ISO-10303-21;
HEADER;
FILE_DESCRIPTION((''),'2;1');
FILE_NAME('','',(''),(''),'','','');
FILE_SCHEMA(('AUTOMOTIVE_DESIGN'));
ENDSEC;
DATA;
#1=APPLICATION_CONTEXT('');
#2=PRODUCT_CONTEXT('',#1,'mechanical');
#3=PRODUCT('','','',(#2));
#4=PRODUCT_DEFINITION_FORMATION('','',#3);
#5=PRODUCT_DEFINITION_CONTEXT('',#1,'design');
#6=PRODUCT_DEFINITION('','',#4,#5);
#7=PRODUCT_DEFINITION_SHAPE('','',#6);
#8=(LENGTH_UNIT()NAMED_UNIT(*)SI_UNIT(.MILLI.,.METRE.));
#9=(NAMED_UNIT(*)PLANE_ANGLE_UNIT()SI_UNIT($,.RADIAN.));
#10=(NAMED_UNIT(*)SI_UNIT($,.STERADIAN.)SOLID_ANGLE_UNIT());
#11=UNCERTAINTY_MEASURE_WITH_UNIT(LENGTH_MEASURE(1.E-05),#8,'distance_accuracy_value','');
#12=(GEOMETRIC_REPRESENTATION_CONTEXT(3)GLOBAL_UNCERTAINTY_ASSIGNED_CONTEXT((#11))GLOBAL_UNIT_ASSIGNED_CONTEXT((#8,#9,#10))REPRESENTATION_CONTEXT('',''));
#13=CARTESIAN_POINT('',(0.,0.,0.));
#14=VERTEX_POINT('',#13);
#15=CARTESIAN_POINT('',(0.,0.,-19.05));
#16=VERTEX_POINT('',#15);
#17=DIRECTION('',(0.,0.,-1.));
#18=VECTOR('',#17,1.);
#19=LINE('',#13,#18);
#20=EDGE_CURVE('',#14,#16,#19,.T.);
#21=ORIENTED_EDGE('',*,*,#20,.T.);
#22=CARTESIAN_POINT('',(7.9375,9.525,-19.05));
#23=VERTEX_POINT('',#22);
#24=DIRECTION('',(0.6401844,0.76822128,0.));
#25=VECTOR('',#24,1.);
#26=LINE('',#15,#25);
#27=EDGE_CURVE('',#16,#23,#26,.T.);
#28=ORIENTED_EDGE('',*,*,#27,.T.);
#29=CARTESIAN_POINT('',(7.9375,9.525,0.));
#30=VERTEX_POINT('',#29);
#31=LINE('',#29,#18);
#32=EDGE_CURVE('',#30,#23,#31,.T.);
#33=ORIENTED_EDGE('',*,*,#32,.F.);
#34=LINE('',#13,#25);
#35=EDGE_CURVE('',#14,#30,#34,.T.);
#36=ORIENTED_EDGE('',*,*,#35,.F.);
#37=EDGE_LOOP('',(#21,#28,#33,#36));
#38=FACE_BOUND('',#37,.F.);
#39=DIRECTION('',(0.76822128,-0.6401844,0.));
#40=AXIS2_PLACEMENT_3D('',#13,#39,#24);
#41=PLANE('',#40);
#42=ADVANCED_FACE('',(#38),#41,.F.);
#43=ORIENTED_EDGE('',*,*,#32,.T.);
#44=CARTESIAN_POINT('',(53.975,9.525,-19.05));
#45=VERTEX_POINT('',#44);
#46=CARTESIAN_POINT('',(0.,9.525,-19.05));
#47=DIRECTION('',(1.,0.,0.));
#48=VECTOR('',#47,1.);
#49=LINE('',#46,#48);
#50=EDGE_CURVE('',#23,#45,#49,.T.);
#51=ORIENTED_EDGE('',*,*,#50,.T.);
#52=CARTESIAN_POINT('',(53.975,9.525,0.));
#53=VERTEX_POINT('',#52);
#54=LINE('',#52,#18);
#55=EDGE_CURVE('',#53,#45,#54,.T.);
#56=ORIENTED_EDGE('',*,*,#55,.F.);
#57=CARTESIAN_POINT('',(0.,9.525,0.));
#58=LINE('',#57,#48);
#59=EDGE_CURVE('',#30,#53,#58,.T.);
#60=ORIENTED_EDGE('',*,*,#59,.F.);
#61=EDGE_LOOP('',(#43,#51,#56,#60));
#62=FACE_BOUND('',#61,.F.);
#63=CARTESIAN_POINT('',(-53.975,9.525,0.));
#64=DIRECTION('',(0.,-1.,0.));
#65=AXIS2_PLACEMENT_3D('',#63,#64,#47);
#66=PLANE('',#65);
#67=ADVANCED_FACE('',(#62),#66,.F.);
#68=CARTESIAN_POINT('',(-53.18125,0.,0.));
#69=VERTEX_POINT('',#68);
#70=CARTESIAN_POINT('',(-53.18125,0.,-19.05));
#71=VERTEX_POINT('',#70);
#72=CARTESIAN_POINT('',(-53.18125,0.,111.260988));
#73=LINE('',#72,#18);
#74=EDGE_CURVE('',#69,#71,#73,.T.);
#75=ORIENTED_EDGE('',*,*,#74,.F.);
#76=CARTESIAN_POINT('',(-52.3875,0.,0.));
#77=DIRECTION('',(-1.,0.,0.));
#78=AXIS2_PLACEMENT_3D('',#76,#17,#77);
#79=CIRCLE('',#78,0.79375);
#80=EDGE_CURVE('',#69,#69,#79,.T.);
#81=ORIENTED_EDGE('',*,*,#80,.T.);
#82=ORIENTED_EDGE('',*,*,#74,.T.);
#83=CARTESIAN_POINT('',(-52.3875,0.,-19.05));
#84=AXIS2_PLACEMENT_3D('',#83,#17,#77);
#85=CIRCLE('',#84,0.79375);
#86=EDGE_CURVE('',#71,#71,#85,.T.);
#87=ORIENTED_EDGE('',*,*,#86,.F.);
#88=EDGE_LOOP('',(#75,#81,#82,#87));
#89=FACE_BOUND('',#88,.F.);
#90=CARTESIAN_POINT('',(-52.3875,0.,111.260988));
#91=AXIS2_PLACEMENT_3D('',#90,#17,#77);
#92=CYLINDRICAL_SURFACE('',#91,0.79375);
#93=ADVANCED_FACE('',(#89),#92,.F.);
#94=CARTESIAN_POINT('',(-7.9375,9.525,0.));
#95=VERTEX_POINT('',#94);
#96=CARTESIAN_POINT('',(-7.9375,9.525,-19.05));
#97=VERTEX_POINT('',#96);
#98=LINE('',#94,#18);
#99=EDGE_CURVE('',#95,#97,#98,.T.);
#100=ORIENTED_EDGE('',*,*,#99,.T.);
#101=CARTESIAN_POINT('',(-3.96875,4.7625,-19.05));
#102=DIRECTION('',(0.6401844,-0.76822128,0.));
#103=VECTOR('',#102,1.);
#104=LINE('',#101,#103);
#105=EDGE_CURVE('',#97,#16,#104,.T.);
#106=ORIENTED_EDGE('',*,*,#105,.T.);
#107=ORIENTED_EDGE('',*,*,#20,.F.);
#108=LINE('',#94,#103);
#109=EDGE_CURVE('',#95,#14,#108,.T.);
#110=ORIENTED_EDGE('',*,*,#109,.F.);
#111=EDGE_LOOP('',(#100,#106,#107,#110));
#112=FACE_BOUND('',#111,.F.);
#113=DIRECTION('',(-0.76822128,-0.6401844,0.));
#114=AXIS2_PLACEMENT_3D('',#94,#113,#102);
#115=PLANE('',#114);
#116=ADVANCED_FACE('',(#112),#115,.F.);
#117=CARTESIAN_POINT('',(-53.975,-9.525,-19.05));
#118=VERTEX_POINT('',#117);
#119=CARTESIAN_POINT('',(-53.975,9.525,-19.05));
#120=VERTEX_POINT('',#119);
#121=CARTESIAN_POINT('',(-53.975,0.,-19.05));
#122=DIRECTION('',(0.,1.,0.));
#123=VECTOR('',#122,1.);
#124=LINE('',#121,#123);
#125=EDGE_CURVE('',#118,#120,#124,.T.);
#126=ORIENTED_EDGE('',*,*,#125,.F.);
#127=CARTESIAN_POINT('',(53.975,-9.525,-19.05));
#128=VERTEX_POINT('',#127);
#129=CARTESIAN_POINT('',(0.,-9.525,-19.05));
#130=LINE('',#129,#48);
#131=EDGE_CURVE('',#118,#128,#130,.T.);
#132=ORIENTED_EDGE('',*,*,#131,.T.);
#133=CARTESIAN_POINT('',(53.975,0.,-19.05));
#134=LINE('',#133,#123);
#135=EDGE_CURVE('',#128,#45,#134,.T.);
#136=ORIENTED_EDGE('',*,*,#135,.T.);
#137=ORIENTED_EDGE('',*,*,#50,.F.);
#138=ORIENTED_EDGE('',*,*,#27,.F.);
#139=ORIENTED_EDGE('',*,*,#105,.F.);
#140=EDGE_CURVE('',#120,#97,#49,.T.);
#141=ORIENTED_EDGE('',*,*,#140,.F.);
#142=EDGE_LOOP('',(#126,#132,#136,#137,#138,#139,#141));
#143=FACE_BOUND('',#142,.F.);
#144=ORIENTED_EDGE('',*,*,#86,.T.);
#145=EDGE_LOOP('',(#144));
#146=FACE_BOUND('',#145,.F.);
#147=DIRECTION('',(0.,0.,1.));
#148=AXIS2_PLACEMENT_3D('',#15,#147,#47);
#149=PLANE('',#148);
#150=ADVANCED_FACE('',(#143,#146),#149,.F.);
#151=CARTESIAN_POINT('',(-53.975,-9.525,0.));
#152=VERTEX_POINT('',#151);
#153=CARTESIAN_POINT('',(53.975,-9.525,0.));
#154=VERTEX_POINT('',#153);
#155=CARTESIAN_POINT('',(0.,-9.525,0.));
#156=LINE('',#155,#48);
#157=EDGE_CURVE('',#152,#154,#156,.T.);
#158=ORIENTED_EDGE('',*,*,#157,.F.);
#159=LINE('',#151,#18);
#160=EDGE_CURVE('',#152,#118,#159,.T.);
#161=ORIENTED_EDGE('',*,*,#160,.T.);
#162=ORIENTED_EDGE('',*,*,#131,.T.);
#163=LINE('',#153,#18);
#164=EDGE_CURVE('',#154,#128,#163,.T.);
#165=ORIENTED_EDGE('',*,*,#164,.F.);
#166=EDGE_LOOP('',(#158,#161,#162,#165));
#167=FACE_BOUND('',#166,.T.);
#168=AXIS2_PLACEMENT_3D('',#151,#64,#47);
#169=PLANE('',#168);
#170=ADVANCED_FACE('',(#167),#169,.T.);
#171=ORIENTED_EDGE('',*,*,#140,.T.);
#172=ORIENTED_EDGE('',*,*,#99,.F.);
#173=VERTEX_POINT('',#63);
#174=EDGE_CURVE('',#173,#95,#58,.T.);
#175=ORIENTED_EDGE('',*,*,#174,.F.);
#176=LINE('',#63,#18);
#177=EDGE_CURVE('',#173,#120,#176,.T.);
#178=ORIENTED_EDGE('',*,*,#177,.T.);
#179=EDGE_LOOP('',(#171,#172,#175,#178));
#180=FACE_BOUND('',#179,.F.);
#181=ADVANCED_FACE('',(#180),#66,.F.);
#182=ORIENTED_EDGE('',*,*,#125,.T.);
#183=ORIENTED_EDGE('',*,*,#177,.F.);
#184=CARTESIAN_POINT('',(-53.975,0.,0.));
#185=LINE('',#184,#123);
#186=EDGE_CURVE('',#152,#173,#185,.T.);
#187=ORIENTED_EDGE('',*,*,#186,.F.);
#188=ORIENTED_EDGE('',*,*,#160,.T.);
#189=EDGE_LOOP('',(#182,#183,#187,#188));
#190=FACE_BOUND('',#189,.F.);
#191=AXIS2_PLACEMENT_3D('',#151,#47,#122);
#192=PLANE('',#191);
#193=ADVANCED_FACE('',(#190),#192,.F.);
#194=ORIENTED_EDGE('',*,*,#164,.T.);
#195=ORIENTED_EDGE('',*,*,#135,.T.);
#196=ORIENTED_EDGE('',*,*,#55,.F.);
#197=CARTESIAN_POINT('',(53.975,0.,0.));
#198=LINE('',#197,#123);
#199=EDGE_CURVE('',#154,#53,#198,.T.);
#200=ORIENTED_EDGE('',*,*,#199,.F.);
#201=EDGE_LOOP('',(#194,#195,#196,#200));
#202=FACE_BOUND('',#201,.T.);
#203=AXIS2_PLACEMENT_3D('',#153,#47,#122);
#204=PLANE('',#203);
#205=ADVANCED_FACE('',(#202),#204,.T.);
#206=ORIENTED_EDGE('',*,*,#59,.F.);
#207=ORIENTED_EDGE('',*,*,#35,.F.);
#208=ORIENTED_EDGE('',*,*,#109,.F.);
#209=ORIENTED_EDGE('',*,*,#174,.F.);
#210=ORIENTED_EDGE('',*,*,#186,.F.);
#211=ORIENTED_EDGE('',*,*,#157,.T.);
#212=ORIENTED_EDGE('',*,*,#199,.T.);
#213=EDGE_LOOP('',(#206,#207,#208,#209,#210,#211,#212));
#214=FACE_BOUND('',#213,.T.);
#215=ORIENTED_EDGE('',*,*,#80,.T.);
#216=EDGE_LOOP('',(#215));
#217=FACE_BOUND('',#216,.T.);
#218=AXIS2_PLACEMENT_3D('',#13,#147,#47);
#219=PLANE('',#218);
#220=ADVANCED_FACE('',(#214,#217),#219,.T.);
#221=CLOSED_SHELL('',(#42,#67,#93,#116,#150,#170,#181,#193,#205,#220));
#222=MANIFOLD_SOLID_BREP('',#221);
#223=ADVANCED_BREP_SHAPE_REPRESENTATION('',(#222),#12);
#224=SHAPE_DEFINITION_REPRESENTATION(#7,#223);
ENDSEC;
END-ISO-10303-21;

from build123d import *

# Parameters (mm, degrees)
F0_W     = 107.95
F0_H     = 19.05
F1_DEPTH = 19.05
F3_DEPTH = 25.4
F5_D     = 1.5875


with BuildPart() as f1:
    # F0 (on Top) → F1 (new body)
    with BuildSketch(Plane.XY):
        Rectangle(F0_W, F0_H)
    extrude(amount=-F1_DEPTH)

    # F2 (on face) → F3 (cut)
    with BuildSketch(Plane.XY):
        Polygon((-7.9375, 9.525), (0, 0), (7.9375, 9.525), align=None)
    extrude(amount=-F3_DEPTH, mode=Mode.SUBTRACT)

    # F5 (through all)
    with Locations(Plane.XY):
        with Locations((-52.3875, 0)):
            Hole(F5_D / 2)


solid = f1.part
